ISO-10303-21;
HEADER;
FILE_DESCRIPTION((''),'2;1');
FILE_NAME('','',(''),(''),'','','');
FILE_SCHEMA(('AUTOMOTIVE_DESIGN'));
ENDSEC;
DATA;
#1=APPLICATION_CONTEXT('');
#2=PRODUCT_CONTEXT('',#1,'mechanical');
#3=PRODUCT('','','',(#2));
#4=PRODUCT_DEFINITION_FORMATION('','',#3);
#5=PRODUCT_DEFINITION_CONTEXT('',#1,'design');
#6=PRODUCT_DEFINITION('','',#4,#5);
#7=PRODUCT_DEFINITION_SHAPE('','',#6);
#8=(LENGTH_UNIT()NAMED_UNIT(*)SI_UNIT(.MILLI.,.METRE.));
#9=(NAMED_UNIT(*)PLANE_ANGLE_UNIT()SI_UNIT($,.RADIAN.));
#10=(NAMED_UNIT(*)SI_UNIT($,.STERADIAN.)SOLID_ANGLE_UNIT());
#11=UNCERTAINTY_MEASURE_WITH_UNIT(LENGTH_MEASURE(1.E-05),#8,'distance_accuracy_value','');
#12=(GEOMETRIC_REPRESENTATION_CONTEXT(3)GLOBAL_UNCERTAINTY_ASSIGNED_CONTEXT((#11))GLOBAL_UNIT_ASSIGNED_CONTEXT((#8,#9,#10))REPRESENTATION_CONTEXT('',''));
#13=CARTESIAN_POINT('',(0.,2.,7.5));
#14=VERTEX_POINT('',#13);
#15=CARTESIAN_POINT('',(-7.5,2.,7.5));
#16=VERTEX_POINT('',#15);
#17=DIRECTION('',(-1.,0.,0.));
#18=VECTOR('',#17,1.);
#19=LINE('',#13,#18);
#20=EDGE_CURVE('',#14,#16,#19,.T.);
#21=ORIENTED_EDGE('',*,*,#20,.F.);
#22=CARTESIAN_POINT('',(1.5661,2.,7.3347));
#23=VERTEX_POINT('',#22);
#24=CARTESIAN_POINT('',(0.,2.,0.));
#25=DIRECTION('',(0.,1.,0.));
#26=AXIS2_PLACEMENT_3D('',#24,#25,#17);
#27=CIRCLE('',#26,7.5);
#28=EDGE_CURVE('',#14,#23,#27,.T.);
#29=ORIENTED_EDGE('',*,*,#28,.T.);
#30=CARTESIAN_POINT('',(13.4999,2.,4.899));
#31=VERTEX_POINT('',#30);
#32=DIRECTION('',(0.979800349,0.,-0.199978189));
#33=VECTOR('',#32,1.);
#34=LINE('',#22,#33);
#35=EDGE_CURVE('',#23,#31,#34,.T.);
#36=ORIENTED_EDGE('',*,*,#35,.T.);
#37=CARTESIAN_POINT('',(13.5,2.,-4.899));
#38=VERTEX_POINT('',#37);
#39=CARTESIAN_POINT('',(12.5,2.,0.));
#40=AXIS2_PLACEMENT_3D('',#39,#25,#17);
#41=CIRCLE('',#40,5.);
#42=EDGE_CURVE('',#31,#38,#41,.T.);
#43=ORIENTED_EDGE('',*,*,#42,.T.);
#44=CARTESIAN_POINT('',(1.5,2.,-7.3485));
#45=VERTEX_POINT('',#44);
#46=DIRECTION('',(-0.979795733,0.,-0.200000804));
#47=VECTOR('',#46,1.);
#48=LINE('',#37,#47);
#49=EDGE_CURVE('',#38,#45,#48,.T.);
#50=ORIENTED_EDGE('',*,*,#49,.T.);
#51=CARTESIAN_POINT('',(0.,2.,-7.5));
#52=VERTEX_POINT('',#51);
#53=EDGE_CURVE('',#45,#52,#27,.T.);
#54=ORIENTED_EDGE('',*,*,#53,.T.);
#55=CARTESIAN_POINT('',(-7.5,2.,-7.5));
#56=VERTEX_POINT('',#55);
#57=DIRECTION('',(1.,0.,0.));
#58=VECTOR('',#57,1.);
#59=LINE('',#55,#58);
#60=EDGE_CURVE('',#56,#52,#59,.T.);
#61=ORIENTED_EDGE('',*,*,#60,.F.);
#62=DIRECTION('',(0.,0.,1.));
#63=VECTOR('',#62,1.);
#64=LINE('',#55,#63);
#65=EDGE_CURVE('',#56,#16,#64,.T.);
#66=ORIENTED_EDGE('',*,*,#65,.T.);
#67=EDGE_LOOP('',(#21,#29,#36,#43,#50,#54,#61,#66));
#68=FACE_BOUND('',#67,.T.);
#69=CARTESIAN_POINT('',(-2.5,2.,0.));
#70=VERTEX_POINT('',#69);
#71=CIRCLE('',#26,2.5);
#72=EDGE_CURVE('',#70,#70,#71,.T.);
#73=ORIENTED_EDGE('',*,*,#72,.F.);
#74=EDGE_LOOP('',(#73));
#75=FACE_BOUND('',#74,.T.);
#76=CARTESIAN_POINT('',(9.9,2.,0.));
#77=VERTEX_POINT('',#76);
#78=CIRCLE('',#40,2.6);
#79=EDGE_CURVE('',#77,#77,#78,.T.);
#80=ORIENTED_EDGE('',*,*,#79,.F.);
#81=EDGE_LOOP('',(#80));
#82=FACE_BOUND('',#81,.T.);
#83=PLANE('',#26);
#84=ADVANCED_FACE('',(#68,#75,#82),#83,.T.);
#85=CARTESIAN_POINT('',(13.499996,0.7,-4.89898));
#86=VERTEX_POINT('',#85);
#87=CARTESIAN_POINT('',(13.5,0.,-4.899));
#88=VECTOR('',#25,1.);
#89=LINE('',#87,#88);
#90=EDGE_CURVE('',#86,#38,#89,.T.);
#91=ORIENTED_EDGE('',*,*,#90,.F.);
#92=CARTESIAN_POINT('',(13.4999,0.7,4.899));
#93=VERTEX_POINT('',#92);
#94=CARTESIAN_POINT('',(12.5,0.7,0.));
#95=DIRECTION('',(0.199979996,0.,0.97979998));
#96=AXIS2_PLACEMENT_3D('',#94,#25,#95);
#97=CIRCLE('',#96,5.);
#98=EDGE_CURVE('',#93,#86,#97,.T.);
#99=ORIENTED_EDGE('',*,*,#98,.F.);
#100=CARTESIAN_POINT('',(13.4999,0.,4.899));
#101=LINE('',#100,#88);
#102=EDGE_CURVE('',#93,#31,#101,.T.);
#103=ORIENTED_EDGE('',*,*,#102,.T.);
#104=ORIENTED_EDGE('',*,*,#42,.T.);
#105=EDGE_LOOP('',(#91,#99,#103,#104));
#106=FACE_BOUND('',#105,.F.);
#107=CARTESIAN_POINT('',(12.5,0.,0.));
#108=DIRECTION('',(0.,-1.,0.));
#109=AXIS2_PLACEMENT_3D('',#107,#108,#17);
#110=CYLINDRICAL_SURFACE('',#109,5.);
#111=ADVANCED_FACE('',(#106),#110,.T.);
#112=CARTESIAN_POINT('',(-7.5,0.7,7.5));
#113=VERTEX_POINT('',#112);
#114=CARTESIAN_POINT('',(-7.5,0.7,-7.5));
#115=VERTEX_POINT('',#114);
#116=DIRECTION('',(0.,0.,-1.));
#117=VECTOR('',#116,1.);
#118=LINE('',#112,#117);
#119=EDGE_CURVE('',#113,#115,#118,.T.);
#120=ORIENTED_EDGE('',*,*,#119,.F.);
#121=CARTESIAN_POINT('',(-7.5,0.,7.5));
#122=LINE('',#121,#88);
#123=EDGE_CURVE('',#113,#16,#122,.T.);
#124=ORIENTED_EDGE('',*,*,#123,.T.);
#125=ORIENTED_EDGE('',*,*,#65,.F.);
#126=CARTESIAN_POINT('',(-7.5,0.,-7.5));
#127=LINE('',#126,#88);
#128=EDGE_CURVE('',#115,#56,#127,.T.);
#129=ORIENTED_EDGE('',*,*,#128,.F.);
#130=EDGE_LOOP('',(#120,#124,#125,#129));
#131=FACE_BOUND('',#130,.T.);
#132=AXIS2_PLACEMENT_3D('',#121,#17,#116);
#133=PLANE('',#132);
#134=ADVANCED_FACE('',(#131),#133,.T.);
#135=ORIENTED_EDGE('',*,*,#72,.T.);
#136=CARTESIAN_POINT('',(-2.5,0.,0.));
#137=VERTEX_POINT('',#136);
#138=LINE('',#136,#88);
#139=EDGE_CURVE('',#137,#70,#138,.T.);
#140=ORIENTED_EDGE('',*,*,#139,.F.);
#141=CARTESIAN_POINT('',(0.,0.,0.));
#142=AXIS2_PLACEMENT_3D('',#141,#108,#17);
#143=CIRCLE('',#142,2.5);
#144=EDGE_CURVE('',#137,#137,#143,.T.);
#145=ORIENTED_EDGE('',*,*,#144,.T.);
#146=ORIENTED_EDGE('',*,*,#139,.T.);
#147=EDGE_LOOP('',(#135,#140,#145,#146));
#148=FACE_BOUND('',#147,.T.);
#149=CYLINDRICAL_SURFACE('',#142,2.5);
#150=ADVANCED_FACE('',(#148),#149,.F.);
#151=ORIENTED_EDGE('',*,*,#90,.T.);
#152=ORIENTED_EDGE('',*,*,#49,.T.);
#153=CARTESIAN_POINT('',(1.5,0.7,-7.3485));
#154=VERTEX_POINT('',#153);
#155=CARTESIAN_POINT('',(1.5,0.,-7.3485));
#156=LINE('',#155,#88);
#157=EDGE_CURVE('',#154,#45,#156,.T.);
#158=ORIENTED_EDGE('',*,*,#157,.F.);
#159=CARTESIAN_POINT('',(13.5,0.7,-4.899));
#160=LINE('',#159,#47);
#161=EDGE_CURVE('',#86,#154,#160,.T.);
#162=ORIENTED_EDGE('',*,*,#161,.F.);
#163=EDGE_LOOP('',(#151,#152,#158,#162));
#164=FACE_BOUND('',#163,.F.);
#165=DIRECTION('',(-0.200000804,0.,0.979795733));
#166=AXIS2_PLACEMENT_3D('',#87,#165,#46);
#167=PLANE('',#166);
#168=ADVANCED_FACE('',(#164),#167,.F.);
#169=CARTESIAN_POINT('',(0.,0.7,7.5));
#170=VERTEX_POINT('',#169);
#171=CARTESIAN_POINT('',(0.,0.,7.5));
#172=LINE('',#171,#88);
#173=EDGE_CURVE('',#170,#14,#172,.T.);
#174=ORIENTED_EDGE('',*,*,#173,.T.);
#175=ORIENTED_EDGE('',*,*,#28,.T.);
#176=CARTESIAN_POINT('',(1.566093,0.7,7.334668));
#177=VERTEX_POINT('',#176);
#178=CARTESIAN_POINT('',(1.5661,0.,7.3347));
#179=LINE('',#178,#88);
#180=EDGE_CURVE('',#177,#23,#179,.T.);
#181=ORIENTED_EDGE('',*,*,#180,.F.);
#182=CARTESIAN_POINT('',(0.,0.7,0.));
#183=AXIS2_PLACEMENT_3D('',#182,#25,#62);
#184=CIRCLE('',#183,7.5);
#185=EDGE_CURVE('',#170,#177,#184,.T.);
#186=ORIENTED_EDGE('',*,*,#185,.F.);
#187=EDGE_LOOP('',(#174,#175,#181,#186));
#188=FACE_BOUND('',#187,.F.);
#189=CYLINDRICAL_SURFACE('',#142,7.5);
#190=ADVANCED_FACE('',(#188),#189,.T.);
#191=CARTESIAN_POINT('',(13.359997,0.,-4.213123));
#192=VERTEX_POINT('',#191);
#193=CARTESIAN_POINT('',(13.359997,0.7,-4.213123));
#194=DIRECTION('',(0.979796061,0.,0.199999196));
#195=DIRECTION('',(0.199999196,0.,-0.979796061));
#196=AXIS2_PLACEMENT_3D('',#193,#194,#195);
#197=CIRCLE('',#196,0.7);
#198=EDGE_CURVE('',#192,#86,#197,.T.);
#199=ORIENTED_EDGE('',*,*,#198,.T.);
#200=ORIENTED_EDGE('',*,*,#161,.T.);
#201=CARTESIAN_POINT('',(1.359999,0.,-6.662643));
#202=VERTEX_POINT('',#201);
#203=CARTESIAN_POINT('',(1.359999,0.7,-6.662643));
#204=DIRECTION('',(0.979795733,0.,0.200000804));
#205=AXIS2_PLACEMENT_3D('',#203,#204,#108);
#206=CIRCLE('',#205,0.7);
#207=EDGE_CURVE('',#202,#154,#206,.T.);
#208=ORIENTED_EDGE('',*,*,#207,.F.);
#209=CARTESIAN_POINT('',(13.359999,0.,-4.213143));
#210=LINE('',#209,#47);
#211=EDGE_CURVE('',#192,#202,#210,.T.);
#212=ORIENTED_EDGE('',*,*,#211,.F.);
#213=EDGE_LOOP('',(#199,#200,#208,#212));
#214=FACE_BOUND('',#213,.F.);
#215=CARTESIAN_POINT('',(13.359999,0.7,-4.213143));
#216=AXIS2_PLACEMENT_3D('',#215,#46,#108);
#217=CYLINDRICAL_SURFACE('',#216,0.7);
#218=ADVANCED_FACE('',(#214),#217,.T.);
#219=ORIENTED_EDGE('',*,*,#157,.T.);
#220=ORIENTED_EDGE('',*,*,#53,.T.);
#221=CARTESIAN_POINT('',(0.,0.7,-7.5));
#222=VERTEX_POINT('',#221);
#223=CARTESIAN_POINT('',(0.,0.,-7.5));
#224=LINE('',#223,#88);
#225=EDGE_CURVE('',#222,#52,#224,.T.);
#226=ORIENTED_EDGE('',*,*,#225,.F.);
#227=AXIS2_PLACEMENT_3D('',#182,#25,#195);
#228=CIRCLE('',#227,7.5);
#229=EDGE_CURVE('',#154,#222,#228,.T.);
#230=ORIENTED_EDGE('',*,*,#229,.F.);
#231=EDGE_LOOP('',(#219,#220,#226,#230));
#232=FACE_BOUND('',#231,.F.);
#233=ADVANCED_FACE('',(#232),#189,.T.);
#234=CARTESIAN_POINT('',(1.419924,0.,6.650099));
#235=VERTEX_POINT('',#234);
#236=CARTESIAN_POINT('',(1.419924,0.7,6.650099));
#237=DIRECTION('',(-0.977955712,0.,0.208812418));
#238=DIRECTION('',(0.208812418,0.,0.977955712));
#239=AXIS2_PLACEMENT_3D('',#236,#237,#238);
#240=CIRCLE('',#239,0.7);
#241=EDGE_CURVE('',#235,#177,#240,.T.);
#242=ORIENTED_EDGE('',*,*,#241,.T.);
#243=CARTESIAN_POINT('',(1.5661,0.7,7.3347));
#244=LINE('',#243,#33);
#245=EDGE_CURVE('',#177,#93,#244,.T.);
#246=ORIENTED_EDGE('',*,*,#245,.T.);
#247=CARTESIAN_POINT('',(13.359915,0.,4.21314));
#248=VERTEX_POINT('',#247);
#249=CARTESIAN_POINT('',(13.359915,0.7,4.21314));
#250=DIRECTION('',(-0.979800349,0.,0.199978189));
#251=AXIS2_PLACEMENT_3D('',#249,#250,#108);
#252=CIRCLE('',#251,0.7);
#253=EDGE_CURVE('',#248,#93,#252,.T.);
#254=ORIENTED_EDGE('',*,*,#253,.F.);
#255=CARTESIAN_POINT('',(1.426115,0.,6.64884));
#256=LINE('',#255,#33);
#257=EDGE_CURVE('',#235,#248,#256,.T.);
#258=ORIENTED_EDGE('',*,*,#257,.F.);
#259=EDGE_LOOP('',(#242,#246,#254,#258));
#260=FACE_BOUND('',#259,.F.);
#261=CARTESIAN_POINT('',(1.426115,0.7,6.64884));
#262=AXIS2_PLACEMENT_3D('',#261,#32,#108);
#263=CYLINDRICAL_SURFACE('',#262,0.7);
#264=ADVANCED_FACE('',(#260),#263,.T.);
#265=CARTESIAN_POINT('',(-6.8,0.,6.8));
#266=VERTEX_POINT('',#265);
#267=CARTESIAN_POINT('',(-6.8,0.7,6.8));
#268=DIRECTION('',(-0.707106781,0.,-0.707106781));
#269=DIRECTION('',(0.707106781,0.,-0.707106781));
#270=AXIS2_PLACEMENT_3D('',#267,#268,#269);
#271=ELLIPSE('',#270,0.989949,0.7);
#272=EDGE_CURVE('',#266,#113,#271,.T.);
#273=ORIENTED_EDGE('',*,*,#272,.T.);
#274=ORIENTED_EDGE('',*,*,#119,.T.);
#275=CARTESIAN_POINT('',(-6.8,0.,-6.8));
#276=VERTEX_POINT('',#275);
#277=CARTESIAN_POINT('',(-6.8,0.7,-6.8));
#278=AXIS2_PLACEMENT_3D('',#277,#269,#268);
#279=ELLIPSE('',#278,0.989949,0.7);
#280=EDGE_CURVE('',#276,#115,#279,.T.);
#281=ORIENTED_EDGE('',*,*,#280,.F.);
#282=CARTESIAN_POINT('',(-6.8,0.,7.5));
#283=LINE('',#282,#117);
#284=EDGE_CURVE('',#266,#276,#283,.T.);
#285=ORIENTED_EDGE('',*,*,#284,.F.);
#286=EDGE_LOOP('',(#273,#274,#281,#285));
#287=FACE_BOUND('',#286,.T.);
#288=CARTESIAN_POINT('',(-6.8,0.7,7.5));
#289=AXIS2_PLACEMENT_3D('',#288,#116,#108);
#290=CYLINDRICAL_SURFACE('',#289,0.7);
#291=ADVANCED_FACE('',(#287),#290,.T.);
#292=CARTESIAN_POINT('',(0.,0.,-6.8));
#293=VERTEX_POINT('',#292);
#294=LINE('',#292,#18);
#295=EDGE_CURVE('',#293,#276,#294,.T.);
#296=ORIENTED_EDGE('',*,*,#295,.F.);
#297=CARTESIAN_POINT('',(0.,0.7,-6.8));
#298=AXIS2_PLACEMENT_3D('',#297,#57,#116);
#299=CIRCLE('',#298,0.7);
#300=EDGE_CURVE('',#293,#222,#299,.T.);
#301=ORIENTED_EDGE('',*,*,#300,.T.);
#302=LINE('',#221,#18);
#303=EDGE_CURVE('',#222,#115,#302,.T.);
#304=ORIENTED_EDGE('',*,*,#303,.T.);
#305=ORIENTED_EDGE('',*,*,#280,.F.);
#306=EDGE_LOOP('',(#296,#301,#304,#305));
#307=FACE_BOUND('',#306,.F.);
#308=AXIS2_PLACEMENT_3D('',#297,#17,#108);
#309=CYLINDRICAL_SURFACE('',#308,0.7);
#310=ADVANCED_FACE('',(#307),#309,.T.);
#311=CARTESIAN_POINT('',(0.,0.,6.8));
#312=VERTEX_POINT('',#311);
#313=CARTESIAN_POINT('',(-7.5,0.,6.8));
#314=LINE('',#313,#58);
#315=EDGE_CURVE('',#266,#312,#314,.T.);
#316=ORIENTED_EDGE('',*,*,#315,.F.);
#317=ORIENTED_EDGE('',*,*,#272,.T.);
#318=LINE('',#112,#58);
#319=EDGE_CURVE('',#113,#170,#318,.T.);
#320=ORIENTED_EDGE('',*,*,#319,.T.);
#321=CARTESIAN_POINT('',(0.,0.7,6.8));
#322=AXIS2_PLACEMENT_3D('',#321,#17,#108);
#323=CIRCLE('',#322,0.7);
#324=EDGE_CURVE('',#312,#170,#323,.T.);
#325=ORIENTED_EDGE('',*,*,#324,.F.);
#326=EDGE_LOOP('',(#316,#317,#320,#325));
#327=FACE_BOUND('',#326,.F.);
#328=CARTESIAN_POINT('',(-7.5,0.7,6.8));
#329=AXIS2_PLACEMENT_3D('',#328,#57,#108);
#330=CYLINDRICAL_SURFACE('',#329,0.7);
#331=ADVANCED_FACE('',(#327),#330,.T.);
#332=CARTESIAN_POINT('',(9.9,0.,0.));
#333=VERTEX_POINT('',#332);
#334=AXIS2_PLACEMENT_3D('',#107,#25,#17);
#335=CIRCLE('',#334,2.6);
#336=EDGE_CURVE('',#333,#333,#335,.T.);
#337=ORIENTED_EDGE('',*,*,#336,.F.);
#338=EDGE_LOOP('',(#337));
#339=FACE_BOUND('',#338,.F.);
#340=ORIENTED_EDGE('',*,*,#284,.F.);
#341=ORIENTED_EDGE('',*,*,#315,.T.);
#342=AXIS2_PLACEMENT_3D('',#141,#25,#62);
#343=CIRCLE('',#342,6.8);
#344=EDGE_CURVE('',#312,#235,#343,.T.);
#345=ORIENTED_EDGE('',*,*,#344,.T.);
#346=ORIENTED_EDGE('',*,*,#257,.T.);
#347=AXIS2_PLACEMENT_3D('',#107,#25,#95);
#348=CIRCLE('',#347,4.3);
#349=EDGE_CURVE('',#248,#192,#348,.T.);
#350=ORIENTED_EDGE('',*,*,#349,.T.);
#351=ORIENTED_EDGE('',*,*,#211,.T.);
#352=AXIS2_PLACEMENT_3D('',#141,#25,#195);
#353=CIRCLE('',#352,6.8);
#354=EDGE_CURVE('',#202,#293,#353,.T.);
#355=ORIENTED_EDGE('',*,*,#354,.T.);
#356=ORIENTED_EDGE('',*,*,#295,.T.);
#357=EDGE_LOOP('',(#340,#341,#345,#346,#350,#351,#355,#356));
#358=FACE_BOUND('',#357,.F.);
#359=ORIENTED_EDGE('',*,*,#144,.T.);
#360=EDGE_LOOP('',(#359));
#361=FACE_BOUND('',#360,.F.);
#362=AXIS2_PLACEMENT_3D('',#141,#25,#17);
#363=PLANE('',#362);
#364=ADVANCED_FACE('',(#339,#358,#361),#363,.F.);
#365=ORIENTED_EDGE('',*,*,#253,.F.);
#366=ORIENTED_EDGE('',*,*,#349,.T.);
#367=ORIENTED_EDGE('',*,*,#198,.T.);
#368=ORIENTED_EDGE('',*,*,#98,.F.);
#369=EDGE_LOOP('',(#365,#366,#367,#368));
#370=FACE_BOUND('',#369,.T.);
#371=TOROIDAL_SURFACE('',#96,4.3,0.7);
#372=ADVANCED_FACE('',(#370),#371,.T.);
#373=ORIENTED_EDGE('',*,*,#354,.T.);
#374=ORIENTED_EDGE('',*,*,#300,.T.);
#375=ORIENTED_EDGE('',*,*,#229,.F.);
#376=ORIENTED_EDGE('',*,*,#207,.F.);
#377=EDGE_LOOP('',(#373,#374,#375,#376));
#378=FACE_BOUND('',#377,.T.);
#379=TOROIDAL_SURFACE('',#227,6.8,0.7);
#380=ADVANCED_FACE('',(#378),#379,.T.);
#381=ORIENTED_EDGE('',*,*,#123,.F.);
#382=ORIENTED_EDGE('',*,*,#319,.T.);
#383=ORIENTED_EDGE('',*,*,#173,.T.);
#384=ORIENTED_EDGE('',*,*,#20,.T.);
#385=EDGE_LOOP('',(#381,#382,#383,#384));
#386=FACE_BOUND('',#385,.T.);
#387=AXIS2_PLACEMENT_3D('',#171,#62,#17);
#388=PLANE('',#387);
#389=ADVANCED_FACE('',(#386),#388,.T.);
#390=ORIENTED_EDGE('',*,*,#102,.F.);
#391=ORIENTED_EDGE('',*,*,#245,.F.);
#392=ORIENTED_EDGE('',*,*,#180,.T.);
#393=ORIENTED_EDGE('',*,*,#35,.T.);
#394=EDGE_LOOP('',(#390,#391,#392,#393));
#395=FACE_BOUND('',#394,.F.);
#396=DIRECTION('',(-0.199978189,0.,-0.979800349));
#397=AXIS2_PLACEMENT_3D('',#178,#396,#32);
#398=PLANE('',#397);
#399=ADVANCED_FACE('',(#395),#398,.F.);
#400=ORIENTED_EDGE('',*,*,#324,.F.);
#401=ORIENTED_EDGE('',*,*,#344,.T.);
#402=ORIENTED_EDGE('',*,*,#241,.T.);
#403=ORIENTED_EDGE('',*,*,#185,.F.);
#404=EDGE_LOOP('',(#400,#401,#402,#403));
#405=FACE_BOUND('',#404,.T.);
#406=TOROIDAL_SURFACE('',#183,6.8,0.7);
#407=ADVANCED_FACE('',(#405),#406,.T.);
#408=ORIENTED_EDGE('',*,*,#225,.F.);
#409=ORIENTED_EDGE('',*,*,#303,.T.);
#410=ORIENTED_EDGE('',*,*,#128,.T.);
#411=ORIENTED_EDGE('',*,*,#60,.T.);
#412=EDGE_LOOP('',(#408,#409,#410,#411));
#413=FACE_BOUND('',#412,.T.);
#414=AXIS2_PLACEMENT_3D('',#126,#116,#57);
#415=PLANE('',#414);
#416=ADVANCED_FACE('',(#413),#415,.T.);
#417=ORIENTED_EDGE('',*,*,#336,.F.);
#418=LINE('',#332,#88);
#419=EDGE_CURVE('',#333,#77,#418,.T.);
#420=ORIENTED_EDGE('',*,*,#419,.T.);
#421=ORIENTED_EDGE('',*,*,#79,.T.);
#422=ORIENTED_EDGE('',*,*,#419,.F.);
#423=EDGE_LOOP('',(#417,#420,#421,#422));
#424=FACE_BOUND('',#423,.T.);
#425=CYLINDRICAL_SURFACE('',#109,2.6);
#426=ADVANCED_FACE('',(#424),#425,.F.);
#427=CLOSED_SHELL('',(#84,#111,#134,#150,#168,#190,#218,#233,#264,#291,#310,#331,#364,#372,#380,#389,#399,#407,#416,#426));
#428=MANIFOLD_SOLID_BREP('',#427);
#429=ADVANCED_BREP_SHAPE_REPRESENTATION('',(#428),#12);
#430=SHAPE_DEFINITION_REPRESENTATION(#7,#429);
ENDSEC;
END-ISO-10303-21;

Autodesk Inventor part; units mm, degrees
ref_plane "YZ Plane" through (0, 0, 0) normal (1, 0, 0) x (0, 1, 0)
ref_plane "XZ Plane" through (0, 0, 0) normal (0, 1, 0) x (-1, 0, 0)
ref_plane "XY Plane" through (0, 0, 0) normal (0, 0, 1) x (1, 0, 0)
sketch "Эскиз1" plane through (0, 0, 0) normal (0, 1, 0) x (-1, 0, 0)
  circle A0 centre (0, 0) radius 2.5
  circle A1 centre (0, 0) radius 7.5
  line L0 (0, 7.5) -> (7.5, 7.5)
  line L1 (7.5, 7.5) -> (7.5, -7.5)
  line L2 (7.5, -7.5) -> (0, -7.5)
  line L3 (0, -7.5) -> (0, 7.5)
  line L4 (-7.5, 0) -> (-12.5, 0)
  circle A2 centre (-12.5, 0) radius 2.6
  circle A3 centre (-12.5, 0) radius 5
  line L5 (-1.5661, 7.3347) -> (-13.4999, 4.899)
  line L6 (-13.5, -4.899) -> (-1.5, -7.3485)
  dimension "d0" = 5
  dimension "d1" = 15
  dimension "d2" = 5
  dimension "d3" = 5.2
extrude "Выдавливание1" add sketch "Эскиз1" along normal blind 2 contours A0 L3 A1 | A0 L3 A1 | L0 L1 A1 | A1 L1 L2 | A1 A3 L5 | L6 A3 A1 | A3
fillet "Сопряжение1" radius 0.7 8 edges at (0.7874, 0, 7.4586) (-3.75, 0, 7.5) (-7.5, 0, 0) (0.7538, 0, -7.462) (7.5, 0, -6.1237) (17.5, 0, 0.0001) (7.533, 0, 6.1168) (-3.75, 0, -7.5)
properties part number "block_02"
